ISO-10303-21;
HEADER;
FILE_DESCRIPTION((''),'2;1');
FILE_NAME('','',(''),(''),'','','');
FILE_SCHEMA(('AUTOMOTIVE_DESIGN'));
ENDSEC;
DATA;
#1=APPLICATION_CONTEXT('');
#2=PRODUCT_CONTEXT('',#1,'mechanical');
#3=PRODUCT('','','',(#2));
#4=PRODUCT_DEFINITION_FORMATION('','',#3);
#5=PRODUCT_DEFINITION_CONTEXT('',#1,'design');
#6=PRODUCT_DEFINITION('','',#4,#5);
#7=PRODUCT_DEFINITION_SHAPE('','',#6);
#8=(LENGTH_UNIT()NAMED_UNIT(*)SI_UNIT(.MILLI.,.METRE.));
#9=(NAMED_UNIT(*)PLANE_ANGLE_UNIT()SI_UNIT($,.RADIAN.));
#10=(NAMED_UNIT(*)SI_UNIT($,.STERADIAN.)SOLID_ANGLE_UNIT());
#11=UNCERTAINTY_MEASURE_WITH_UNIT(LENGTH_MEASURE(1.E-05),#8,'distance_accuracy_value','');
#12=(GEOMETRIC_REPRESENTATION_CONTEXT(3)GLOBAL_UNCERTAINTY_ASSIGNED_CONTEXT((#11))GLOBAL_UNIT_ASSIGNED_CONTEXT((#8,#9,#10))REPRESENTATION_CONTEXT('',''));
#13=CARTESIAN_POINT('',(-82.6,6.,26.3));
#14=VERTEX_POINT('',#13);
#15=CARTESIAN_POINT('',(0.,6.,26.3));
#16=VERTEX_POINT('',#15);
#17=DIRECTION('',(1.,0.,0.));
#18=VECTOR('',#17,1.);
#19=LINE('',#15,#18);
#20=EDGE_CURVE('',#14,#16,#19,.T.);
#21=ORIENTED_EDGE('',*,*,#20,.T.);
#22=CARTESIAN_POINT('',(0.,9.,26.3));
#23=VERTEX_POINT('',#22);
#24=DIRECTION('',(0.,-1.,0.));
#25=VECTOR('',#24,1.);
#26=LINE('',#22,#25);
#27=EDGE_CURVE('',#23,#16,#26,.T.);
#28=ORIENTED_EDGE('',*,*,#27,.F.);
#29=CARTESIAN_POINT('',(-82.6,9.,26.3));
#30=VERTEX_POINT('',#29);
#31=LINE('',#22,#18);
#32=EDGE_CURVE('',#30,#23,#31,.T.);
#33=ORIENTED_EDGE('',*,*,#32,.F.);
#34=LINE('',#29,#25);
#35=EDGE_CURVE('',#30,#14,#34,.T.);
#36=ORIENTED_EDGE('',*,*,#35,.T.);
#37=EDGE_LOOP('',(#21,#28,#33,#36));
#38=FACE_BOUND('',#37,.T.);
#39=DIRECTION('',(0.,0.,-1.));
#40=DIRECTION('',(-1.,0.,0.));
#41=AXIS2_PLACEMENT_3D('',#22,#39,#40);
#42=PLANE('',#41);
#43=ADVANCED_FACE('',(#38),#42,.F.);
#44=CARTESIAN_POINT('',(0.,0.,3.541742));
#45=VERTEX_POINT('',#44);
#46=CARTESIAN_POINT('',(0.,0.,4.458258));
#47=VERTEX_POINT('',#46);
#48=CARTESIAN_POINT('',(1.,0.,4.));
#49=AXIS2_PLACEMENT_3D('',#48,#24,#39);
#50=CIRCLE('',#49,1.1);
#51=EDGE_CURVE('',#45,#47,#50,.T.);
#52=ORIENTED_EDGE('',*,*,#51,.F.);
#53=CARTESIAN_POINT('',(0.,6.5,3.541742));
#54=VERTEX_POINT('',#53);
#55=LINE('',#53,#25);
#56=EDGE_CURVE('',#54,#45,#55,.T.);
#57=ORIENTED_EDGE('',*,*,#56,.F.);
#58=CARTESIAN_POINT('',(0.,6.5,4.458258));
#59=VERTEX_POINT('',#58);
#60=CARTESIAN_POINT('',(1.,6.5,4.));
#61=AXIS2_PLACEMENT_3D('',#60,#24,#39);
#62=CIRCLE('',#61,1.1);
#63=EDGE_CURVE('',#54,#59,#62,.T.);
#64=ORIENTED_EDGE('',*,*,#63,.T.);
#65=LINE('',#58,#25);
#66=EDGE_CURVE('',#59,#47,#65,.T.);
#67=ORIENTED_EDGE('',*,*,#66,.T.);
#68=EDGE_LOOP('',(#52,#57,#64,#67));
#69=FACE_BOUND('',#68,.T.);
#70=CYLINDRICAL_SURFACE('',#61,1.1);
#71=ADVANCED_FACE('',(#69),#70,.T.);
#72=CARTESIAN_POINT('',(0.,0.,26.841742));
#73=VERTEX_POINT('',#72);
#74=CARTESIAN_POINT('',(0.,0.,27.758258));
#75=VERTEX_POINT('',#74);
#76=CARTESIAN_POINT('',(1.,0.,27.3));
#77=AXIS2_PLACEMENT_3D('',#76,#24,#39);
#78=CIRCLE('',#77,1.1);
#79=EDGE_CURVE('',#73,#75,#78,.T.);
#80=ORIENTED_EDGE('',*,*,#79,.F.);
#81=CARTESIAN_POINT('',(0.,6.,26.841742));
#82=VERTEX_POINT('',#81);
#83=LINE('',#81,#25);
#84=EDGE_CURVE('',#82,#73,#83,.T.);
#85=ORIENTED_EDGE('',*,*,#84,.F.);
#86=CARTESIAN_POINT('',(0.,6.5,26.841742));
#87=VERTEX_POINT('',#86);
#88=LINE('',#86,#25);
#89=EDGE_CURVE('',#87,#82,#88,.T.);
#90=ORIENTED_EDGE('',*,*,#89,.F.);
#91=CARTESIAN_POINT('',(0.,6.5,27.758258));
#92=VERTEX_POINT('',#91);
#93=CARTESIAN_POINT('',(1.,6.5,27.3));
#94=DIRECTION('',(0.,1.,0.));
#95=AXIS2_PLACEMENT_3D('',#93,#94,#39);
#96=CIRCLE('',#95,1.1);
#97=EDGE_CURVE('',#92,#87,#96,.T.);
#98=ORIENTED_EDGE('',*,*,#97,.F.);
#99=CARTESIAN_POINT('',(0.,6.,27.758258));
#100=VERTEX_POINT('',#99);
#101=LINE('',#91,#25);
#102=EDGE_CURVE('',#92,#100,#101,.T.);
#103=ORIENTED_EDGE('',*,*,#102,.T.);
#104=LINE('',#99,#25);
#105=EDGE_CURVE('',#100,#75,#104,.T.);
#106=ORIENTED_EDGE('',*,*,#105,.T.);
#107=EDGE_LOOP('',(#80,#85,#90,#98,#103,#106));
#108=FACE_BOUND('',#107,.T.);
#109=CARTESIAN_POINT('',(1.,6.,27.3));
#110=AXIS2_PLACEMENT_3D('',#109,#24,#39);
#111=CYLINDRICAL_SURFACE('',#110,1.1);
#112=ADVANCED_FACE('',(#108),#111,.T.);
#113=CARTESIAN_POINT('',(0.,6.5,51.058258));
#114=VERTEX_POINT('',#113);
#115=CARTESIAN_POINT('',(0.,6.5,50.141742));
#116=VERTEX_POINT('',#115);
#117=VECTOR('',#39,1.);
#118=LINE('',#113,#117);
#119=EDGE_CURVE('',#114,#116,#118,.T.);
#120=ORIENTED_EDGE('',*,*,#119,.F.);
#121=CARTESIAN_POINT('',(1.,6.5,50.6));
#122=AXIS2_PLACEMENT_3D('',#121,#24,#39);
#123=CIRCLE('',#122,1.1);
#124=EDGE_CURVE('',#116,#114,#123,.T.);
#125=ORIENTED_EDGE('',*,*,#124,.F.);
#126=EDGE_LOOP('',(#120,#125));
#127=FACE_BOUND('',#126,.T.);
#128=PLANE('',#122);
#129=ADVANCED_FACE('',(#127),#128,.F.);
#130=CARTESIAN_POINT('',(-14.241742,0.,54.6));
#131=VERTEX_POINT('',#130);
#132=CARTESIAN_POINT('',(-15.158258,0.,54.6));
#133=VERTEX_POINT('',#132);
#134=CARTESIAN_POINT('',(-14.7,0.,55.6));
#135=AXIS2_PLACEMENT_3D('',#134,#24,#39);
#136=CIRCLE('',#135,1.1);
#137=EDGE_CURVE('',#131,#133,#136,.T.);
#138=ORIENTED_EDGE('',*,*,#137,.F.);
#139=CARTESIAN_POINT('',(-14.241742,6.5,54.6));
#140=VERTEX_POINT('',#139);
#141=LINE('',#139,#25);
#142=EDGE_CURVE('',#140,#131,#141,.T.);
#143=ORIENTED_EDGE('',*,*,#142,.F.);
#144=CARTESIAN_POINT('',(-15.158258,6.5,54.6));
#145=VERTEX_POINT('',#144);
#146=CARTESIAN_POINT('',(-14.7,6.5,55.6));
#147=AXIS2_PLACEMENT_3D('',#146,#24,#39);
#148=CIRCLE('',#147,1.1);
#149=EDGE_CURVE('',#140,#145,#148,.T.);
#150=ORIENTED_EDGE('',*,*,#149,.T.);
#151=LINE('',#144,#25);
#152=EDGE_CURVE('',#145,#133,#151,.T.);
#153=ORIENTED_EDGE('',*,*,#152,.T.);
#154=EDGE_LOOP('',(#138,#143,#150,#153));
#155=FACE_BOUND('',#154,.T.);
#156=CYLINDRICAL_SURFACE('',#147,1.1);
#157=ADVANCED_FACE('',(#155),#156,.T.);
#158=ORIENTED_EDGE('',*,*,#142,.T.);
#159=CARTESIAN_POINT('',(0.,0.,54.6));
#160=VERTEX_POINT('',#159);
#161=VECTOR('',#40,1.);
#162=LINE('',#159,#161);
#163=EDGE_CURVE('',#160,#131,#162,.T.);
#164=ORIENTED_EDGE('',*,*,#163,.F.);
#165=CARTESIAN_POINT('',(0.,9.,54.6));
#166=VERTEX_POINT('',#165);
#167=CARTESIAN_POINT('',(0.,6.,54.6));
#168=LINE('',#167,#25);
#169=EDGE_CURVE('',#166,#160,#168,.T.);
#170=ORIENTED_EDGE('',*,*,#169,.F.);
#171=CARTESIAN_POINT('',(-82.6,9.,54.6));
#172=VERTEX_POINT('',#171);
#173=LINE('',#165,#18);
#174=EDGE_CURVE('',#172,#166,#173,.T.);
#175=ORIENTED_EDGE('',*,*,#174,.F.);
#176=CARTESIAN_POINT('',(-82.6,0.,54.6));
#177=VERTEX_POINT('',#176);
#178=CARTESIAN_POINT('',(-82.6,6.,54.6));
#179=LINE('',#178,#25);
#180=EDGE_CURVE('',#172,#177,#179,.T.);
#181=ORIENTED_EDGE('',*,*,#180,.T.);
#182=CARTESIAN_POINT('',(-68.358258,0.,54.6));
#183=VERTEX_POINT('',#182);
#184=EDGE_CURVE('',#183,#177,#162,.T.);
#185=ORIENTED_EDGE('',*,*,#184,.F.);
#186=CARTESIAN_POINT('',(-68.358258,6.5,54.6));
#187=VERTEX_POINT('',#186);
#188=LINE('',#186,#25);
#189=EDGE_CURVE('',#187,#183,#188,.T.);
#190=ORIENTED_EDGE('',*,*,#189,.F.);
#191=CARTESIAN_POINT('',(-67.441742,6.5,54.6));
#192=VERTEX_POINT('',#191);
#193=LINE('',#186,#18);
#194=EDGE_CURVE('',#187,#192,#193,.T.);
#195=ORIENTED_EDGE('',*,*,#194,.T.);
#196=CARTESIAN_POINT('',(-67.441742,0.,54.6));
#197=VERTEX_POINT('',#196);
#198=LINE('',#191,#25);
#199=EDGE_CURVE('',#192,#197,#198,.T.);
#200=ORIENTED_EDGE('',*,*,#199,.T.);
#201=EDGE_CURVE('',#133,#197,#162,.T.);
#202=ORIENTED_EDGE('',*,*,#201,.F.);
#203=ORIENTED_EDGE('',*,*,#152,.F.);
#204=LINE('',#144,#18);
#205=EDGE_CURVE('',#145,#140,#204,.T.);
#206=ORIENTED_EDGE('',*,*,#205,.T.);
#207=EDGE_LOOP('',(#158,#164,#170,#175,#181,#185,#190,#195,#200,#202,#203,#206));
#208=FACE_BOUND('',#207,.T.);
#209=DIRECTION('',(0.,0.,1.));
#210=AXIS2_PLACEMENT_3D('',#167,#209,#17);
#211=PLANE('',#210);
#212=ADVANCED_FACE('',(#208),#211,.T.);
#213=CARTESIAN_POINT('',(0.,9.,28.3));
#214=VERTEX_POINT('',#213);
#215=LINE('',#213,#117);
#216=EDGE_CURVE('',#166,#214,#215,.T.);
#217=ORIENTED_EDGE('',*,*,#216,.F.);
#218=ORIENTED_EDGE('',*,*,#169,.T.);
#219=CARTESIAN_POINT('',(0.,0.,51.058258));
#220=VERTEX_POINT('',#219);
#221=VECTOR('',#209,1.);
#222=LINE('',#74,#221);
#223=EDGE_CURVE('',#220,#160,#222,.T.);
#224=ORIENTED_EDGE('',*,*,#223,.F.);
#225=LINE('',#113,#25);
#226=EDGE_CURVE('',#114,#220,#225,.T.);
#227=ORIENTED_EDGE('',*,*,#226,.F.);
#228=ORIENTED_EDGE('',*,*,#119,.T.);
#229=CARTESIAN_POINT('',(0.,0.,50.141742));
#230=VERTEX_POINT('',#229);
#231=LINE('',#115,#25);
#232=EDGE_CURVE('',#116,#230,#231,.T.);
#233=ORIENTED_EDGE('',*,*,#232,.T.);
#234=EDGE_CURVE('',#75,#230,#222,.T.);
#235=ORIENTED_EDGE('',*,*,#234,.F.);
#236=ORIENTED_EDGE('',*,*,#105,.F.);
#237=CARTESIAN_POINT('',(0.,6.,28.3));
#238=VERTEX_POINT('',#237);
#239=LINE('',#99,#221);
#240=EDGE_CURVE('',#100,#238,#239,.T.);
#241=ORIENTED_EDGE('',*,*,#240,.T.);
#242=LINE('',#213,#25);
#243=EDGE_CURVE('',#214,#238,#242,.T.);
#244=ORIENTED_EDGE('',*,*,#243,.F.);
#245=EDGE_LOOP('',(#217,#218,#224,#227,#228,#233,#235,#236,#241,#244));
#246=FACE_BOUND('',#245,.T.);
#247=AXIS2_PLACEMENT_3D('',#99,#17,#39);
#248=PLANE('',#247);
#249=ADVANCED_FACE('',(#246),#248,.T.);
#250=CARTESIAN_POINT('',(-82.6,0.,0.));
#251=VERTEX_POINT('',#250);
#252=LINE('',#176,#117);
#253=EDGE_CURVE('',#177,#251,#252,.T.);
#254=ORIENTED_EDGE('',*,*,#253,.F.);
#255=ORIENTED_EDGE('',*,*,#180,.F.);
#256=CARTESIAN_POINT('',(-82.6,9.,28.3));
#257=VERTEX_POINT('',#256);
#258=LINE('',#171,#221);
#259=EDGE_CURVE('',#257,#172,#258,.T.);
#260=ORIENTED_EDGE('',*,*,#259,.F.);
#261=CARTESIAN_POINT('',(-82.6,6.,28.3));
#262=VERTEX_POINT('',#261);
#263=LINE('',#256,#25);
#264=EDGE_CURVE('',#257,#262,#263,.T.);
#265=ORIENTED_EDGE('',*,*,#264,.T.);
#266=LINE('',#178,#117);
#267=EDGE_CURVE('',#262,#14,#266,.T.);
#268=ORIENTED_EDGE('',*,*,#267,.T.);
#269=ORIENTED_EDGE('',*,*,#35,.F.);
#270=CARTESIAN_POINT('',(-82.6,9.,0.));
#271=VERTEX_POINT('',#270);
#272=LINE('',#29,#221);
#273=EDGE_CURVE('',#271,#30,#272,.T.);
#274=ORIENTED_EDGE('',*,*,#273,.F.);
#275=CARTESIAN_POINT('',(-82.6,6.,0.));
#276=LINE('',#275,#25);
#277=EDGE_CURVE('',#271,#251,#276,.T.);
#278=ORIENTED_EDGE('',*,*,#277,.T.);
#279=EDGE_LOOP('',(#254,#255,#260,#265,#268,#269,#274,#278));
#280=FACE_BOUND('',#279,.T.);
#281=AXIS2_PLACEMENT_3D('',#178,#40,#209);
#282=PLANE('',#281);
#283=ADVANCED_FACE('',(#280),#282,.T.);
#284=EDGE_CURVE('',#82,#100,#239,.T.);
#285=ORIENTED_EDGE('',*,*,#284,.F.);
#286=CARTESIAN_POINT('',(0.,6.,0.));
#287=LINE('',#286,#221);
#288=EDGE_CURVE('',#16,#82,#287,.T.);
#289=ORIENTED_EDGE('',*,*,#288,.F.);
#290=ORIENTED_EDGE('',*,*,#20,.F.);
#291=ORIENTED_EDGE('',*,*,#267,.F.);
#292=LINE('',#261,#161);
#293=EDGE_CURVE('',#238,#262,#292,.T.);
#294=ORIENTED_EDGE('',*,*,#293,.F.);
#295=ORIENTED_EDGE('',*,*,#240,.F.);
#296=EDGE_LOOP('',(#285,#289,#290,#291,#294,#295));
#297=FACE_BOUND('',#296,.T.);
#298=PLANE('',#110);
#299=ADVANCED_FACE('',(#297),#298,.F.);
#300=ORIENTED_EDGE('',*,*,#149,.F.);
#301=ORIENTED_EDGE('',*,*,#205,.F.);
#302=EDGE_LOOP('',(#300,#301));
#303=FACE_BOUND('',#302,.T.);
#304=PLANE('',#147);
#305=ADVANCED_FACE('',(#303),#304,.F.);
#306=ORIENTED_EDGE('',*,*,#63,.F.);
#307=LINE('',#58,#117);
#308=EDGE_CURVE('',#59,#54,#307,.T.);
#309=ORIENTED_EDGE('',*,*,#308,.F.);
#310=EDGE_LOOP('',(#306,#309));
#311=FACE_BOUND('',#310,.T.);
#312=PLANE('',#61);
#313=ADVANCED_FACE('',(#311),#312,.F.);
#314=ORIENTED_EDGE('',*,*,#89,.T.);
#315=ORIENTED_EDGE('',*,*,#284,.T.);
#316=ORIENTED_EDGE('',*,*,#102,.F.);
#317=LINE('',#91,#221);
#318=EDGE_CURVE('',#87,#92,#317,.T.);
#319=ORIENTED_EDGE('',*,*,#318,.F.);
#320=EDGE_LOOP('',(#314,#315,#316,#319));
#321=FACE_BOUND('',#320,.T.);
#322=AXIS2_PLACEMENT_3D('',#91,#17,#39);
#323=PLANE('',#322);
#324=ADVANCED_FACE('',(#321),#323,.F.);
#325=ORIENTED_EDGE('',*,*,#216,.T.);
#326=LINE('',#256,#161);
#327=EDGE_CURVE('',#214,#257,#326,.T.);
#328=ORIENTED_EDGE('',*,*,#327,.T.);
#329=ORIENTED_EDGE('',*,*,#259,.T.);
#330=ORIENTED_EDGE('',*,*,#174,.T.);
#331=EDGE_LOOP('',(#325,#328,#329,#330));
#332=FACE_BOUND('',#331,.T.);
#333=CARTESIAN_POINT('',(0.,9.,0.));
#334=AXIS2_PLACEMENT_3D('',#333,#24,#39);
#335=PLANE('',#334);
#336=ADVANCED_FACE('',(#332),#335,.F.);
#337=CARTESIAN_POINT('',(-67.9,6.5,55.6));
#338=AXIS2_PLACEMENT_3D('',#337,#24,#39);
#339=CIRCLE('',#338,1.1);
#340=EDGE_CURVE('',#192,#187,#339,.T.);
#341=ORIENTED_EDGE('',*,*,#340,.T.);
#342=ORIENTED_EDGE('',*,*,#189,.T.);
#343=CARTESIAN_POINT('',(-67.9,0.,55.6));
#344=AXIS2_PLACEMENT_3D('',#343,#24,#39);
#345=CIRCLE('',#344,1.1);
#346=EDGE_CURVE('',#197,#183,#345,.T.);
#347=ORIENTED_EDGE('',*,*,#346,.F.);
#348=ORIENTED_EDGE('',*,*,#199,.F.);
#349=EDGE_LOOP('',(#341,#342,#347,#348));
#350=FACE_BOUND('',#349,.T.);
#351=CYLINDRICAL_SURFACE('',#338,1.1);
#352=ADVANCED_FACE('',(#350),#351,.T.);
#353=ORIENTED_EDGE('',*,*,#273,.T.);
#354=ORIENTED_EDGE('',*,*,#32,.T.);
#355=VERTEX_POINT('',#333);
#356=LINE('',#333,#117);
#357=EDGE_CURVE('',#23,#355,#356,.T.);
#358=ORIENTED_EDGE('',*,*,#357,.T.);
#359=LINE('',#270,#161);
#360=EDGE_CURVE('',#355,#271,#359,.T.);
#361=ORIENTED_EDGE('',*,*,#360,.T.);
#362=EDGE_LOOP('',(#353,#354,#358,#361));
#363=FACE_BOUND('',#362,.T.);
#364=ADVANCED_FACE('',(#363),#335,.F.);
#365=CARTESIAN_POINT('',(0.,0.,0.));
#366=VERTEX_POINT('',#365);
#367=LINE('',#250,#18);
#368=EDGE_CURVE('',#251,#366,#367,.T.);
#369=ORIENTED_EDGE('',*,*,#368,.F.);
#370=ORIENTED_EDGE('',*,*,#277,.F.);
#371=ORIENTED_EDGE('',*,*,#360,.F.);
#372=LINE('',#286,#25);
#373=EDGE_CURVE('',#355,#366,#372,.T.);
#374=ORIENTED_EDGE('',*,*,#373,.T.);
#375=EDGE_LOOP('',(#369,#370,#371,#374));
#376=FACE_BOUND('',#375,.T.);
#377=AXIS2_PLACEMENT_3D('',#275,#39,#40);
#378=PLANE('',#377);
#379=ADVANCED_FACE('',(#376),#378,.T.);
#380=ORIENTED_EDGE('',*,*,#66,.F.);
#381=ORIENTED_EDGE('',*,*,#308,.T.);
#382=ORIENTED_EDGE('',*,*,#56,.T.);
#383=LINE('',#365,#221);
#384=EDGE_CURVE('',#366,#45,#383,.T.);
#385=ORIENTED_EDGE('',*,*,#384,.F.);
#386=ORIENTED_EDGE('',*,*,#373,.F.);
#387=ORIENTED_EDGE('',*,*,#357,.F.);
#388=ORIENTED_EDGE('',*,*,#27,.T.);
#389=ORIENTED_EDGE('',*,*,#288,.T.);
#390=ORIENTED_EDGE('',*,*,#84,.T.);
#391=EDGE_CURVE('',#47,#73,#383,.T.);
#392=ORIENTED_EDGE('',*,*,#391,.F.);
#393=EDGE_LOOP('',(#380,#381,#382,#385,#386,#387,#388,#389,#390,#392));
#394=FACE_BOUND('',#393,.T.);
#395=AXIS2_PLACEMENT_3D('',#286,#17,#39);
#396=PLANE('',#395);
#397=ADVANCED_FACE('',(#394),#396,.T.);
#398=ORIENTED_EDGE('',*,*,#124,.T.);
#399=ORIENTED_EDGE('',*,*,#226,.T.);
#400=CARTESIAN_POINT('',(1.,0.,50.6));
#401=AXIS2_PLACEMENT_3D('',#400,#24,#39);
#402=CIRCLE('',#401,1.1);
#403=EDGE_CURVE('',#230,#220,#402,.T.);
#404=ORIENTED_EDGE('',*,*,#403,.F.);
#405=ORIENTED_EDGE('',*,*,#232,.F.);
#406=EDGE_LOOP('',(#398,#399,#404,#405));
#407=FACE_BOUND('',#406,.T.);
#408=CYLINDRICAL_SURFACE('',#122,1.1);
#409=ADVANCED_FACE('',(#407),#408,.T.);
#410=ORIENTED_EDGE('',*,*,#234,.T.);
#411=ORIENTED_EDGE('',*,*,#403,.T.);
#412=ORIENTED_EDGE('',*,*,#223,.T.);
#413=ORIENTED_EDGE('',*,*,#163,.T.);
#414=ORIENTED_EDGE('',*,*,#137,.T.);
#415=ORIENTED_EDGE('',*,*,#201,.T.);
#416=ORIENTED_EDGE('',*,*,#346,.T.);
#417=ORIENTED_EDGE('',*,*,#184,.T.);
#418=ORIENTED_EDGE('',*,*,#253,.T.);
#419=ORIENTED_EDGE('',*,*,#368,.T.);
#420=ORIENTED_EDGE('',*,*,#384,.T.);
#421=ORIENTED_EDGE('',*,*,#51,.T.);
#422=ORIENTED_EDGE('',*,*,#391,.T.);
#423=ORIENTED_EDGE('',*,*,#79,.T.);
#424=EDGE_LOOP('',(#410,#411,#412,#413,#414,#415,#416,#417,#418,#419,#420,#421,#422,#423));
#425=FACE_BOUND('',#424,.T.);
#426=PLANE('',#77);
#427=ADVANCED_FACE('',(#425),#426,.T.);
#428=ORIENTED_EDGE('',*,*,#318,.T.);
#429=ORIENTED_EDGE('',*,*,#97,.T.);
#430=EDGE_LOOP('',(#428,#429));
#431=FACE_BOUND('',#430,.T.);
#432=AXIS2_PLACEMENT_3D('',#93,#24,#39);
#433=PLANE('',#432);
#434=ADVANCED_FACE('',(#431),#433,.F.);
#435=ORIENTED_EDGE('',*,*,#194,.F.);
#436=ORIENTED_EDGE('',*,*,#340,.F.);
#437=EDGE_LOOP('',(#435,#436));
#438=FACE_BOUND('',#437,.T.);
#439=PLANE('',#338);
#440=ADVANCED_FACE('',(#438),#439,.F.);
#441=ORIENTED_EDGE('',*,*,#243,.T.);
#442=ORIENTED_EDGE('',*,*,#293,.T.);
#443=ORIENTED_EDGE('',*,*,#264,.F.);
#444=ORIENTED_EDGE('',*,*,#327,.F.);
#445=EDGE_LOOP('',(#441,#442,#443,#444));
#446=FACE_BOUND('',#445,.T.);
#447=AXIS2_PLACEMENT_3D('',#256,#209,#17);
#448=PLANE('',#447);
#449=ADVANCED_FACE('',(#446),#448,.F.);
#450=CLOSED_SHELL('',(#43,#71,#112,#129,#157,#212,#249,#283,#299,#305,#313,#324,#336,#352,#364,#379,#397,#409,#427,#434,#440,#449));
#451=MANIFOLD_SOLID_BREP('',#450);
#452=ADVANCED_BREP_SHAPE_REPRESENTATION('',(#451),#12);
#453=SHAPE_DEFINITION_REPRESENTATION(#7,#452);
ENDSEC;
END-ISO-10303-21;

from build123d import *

# Parameters (mm, degrees)
BOSS_EXTRUDE1_DEPTH = 6
SKETCH2_W           = 82.6
SKETCH2_H           = 26.3
BOSS_EXTRUDE2_DEPTH = 3
SKETCH3_W           = 82.6
SKETCH3_H           = 26.3
BOSS_EXTRUDE3_DEPTH = 3
BOSS_EXTRUDE4_DEPTH = 0.5
BOSS_EXTRUDE5_DEPTH = 6.5
BOSS_EXTRUDE6_DEPTH = 6.5
BOSS_EXTRUDE7_DEPTH = 6.5
BOSS_EXTRUDE8_DEPTH = 6.5


with BuildPart() as part:
    # Sketch1 → Boss-Extrude1 (new body)
    with BuildSketch(Plane.XZ):
        with BuildLine():
            Line((-82.6, 0), (0, 0))
            Line((0, 0), (0, 26.841742431))
            ThreePointArc((0, 26.841742431), (2.1, 27.3), (0, 27.758257569))
            Line((0, 27.758257569), (0, 54.6))
            Line((0, 54.6), (-82.6, 54.6))
            Line((-82.6, 54.6), (-82.6, 0))
        make_face()
    extrude(amount=-BOSS_EXTRUDE1_DEPTH)

    # Sketch2 → Boss-Extrude2 (add)
    with BuildSketch(Plane(origin=(0, 6, 0), x_dir=(-1, 0, 0), z_dir=(0, 1, 0))):
        with Locations((41.3, 13.15)):
            Rectangle(SKETCH2_W, SKETCH2_H)
    extrude(amount=BOSS_EXTRUDE2_DEPTH)

    # Sketch3 → Boss-Extrude3 (add)
    with BuildSketch(Plane(origin=(0, 6, 0), x_dir=(-1, 0, 0), z_dir=(0, 1, 0))):
        with Locations((41.3, 41.45)):
            Rectangle(SKETCH3_W, SKETCH3_H)
    extrude(amount=BOSS_EXTRUDE3_DEPTH)

    # Sketch4 → Boss-Extrude4 (add)
    with BuildSketch(Plane(origin=(0, 6, 0), x_dir=(-1, 0, 0), z_dir=(0, 1, 0))):
        with BuildLine():
            Line((0, 27.758257569), (0, 26.841742431))
            ThreePointArc((0, 26.841742431), (-2.1, 27.3), (0, 27.758257569))
        make_face()
    extrude(amount=BOSS_EXTRUDE4_DEPTH)

    # Sketch5 → Boss-Extrude5 (add)
    with BuildSketch(Plane.XZ):
        with BuildLine():
            Line((0, 4.458257629), (0, 3.54174249))
            ThreePointArc((0, 3.54174249), (2.1, 4.00000006), (0, 4.458257629))
        make_face()
    extrude(amount=-BOSS_EXTRUDE5_DEPTH)

    # Sketch6 → Boss-Extrude6 (add)
    with BuildSketch(Plane.XZ):
        with BuildLine():
            Line((0, 51.05825751), (0, 50.141742371))
            ThreePointArc((0, 50.141742371), (2.1, 50.59999994), (0, 51.05825751))
        make_face()
    extrude(amount=-BOSS_EXTRUDE6_DEPTH)

    # Sketch7 → Boss-Extrude7 (add)
    with BuildSketch(Plane.XZ):
        with BuildLine():
            Line((-68.358257569, 54.6), (-67.441742431, 54.6))
            ThreePointArc((-67.441742431, 54.6), (-67.9, 56.7), (-68.358257569, 54.6))
        make_face()
    extrude(amount=-BOSS_EXTRUDE7_DEPTH)

    # Sketch8 → Boss-Extrude8 (add)
    with BuildSketch(Plane.XZ):
        with BuildLine():
            Line((-15.158257569, 54.6), (-14.241742431, 54.6))
            ThreePointArc((-14.241742431, 54.6), (-14.7, 56.7), (-15.158257569, 54.6))
        make_face()
    extrude(amount=-BOSS_EXTRUDE8_DEPTH)


solid = part.part
